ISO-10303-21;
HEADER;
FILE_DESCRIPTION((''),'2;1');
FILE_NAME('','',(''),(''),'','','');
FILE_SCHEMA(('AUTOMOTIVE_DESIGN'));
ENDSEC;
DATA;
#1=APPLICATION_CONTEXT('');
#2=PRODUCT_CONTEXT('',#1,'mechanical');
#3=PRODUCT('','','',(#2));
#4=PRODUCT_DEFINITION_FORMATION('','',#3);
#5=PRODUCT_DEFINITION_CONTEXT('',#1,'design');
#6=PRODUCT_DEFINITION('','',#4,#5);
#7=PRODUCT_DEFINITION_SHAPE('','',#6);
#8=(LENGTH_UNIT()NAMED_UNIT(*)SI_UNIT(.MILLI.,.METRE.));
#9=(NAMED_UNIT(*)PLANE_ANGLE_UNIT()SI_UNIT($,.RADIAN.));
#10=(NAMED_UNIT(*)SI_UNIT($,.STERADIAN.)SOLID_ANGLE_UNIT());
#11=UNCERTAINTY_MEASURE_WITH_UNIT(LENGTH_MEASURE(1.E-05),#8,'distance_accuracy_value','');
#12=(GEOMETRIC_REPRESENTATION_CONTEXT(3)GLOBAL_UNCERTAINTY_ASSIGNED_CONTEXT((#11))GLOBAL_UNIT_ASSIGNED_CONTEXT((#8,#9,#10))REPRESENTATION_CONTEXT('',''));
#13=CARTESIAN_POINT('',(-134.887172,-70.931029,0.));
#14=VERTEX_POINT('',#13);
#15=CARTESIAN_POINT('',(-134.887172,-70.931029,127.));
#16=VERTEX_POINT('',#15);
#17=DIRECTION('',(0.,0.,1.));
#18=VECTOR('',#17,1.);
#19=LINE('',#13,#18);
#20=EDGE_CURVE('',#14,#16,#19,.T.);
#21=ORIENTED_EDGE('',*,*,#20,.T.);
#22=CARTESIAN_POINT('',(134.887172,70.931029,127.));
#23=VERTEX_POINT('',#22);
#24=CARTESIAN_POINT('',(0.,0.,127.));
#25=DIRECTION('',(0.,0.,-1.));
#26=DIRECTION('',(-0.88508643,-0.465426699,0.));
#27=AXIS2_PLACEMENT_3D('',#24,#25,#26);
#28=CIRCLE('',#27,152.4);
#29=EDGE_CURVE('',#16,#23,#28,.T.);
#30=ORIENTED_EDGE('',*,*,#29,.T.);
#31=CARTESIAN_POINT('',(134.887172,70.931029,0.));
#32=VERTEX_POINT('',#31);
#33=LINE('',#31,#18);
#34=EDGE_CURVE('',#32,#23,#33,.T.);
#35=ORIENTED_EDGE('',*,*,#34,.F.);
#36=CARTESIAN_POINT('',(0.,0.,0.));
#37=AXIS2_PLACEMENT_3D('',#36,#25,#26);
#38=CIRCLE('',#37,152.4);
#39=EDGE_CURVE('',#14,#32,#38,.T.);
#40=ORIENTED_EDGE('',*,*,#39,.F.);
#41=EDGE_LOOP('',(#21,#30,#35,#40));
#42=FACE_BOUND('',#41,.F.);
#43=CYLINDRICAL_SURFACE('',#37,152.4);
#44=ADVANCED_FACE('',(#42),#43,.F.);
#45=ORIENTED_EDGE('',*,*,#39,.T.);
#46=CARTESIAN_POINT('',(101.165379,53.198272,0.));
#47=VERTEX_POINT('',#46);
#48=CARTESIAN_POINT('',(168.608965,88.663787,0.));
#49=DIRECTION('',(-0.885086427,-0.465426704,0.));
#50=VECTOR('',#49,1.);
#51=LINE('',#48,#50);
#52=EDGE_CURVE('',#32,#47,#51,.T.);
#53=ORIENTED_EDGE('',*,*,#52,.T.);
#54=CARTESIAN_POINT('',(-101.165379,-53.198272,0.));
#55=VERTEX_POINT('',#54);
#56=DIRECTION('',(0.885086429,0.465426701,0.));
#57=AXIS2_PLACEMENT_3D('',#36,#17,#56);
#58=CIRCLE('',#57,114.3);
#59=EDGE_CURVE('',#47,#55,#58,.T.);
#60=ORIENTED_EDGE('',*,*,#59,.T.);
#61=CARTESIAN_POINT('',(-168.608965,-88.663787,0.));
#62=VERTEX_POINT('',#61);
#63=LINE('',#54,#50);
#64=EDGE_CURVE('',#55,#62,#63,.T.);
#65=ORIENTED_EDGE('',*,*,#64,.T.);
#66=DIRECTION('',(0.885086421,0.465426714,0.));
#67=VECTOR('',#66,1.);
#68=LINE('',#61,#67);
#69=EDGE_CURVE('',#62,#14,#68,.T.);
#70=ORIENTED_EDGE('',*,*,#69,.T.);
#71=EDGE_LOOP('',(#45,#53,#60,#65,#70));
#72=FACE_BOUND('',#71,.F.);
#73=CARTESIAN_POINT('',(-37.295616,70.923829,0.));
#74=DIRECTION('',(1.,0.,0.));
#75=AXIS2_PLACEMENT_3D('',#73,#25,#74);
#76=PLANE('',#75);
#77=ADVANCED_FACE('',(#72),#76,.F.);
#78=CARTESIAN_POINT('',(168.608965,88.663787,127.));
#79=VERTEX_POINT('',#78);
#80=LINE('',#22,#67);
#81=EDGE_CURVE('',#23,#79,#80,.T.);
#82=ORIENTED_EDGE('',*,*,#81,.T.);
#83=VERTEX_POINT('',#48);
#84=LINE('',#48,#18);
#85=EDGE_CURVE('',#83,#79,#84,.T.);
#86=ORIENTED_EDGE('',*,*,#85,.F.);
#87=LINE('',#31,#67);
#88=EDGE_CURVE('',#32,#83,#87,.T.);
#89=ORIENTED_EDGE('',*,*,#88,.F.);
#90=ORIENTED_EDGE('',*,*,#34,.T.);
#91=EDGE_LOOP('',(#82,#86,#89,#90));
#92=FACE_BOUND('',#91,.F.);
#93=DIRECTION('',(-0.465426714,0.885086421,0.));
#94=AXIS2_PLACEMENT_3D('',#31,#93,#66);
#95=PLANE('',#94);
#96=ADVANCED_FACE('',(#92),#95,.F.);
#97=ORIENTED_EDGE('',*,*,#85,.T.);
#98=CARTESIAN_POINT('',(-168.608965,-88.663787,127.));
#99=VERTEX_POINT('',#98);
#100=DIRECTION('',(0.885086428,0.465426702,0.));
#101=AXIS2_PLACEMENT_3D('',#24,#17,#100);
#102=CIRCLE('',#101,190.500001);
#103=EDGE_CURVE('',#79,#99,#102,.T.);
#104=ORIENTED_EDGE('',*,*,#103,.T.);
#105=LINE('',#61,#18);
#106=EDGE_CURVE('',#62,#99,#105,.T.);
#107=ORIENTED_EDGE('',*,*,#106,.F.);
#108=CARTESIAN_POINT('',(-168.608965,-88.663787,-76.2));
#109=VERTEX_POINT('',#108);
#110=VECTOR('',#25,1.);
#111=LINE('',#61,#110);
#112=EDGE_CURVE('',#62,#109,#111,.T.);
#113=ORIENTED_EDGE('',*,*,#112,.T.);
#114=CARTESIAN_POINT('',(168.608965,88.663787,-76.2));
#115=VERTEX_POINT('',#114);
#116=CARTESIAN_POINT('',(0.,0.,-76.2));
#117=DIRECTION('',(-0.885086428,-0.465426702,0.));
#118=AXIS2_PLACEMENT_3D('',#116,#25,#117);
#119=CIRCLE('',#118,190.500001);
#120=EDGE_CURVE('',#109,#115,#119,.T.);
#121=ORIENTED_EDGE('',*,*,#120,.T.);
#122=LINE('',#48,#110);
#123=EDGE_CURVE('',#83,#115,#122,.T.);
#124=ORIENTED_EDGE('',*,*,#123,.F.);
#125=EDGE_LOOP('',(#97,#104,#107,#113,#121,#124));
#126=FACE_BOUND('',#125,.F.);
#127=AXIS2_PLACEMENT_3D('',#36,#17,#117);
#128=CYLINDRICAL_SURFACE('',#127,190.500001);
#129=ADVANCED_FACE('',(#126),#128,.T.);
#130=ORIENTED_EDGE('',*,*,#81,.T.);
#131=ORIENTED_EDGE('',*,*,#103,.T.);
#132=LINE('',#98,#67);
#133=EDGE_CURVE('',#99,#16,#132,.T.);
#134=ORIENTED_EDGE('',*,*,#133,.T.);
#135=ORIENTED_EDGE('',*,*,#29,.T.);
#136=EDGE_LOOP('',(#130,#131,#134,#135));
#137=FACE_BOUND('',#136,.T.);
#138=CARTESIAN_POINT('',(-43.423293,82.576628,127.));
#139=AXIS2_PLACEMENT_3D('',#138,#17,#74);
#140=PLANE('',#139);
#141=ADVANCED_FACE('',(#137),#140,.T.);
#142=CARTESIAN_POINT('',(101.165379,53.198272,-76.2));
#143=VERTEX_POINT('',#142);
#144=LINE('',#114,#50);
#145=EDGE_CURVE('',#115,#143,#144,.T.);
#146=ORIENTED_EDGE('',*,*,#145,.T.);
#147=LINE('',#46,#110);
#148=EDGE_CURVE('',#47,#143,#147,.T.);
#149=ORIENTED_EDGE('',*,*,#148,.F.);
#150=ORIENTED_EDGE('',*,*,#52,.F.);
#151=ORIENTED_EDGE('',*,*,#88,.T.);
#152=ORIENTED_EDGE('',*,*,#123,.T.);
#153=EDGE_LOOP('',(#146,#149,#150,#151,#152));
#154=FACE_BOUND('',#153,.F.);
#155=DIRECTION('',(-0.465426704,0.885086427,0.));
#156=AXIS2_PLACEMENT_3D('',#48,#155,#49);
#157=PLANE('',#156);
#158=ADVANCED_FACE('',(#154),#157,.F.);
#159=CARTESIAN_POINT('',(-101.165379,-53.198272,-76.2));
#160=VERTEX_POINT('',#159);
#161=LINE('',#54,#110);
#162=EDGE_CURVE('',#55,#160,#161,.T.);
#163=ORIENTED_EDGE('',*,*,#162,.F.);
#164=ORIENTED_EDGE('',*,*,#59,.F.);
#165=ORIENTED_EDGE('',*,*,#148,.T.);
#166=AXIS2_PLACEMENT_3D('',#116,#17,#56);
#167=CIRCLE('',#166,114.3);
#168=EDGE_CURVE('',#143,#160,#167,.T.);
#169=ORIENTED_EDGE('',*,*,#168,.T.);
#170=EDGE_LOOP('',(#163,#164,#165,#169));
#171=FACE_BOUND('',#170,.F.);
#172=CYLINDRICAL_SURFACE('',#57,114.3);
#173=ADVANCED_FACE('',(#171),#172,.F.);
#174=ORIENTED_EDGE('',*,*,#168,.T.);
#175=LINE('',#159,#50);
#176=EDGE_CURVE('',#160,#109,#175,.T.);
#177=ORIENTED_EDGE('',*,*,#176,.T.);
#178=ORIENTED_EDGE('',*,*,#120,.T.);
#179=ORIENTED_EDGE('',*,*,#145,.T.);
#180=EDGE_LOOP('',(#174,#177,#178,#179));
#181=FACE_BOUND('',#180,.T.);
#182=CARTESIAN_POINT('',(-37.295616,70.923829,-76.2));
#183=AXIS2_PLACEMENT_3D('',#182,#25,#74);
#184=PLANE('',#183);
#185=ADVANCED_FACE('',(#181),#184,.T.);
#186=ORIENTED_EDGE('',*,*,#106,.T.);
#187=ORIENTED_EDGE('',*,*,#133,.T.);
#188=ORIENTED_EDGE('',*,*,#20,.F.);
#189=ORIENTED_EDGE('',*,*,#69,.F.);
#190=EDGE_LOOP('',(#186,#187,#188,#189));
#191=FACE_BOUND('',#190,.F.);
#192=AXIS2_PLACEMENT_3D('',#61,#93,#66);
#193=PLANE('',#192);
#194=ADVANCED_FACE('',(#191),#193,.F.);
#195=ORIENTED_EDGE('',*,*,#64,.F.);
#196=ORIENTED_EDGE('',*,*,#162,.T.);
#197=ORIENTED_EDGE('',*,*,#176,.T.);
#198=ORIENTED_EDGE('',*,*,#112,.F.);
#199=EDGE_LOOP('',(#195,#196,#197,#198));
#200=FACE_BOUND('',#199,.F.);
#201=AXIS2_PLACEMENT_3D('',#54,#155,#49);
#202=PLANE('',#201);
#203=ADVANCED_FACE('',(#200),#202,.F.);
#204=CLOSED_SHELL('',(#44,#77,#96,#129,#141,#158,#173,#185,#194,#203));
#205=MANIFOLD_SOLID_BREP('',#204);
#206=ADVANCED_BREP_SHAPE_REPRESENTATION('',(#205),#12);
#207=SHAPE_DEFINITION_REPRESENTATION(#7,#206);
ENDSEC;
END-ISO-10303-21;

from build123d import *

# Parameters (mm, degrees)
F1_DEPTH = 127
F3_DEPTH = 76.2


with BuildPart() as f1:
    # F0 (on Top) → F1 (new body)
    with BuildSketch(Plane.XY):
        with BuildLine():
            ThreePointArc((-134.887172, -70.931029), (-70.931029, 134.887172), (134.887172, 70.931029))
            Line((134.887172, 70.931029), (168.608965, 88.663787))
            ThreePointArc((168.608965, 88.663787), (-88.663787, 168.608965), (-168.608965, -88.663787))
            Line((-168.608965, -88.663787), (-134.887172, -70.931029))
        make_face()
    extrude(amount=F1_DEPTH)

    # F2 (on face) → F3 (join)
    with BuildSketch(Plane(origin=(0, 0, 0), x_dir=(1, 0, 0), z_dir=(0, 0, -1))):
        with BuildLine():
            Line((-101.165379, 53.198272), (-168.608965, 88.663787))
            ThreePointArc((-168.608965, 88.663787), (-88.663787, -168.608965), (168.608965, -88.663787))
            Line((168.608965, -88.663787), (101.165379, -53.198272))
            ThreePointArc((101.165379, -53.198272), (-53.198272, -101.165379), (-101.165379, 53.198272))
        make_face()
    extrude(amount=F3_DEPTH)


solid = f1.part
